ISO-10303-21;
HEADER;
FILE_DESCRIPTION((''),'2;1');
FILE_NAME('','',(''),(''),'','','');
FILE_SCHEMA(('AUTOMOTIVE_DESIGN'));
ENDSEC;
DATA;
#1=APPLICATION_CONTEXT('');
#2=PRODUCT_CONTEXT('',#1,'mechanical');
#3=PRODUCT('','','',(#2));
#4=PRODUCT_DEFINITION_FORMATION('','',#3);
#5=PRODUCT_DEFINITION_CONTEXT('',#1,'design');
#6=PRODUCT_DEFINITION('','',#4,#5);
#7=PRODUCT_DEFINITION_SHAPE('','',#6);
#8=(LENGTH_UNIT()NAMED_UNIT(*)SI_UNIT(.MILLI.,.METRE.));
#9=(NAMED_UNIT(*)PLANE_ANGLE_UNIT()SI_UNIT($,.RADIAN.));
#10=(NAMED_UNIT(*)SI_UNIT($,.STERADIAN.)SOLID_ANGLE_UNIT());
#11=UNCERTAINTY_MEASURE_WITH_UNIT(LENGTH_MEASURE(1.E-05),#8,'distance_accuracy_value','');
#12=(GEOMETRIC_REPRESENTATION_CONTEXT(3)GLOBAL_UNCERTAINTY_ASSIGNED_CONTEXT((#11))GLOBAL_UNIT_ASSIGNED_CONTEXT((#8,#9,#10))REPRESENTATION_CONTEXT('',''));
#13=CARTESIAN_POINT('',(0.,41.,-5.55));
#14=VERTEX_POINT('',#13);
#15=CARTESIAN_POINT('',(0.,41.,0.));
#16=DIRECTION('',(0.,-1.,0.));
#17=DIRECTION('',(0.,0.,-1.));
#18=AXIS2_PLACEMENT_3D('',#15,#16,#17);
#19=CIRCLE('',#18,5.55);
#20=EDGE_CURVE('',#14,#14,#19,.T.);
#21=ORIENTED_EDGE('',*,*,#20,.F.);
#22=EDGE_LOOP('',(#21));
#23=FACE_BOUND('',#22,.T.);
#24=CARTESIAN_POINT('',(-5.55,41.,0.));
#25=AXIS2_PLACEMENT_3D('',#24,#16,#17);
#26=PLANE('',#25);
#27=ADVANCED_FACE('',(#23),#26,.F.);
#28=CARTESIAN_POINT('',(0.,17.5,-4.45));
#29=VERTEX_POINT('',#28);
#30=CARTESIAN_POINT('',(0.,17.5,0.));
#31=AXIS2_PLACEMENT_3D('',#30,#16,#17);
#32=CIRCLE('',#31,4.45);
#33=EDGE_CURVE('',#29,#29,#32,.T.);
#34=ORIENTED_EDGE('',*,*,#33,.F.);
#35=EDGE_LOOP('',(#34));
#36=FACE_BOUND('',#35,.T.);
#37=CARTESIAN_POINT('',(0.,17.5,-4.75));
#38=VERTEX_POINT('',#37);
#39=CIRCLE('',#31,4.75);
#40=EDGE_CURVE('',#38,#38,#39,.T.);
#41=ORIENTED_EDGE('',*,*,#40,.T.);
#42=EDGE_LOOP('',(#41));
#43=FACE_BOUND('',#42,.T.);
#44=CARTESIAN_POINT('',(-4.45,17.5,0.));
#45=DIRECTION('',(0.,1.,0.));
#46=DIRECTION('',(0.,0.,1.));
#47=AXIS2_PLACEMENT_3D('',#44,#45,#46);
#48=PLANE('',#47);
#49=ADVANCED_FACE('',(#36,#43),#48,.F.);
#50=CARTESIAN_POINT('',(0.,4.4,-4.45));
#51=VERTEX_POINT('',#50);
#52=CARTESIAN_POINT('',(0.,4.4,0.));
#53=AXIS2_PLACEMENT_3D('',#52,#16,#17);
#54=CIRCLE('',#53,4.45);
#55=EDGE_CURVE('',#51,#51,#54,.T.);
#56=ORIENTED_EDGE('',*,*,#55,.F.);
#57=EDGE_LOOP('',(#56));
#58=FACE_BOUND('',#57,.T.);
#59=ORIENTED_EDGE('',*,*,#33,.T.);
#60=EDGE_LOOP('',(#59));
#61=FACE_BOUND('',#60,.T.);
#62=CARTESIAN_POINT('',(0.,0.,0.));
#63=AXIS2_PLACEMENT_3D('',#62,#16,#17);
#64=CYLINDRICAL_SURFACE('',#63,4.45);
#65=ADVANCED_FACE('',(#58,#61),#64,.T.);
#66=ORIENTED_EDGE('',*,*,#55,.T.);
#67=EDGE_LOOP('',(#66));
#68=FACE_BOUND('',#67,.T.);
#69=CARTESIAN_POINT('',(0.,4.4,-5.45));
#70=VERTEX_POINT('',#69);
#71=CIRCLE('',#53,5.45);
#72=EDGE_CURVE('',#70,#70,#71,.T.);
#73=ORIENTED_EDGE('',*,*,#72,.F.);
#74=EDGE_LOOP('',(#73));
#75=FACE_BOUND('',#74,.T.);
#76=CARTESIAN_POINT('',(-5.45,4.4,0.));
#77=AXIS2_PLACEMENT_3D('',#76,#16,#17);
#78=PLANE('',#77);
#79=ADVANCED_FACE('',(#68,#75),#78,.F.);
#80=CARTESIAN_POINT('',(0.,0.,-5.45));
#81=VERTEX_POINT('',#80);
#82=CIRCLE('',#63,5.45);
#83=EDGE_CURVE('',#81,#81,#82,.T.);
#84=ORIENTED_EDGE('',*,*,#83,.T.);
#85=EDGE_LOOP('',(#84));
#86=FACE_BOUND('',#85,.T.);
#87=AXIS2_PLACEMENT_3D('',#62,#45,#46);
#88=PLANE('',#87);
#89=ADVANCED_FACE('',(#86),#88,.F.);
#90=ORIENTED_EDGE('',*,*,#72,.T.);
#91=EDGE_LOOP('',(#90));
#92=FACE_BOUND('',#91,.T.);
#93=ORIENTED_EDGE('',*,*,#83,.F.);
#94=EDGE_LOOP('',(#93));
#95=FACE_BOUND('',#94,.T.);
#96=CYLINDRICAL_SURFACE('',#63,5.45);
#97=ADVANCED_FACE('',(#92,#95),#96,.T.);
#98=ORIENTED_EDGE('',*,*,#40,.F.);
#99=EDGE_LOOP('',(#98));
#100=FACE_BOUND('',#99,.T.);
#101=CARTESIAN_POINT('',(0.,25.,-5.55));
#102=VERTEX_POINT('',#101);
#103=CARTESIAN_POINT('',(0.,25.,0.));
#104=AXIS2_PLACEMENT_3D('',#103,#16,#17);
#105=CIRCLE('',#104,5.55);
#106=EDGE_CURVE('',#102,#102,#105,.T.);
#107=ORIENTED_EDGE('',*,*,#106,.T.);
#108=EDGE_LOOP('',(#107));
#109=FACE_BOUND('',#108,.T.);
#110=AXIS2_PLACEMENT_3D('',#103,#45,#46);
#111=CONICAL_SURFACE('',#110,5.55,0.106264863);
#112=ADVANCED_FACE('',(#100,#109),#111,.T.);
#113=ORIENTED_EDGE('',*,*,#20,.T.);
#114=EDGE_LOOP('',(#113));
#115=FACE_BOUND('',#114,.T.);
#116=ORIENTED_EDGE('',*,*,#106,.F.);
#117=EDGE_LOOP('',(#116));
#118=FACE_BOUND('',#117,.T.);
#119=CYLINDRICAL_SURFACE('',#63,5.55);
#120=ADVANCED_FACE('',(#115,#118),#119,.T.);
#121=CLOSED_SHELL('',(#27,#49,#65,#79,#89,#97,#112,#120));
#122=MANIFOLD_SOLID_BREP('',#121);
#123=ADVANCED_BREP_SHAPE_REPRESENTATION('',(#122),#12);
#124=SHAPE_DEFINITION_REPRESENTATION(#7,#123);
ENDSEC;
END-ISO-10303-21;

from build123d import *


with BuildPart() as part:
    # Sketch1 → Revolve1 (revolve)
    with BuildSketch(Plane.XY, mode=Mode.PRIVATE) as revolve1_sk:
        Polygon((0, 0), (-5.45, 0), (-5.45, 4.4), (-4.45, 4.4), (-4.45, 17.5), (-4.75, 17.5), (-5.55, 25), (-5.55, 41), (0, 41), align=None)
    revolve(revolve1_sk.sketch.rotate(Axis((0, 0, 0), (0, 1, 0)), 270), axis=Axis((0, 0, 0), (0, 1, 0)))


solid = part.part
